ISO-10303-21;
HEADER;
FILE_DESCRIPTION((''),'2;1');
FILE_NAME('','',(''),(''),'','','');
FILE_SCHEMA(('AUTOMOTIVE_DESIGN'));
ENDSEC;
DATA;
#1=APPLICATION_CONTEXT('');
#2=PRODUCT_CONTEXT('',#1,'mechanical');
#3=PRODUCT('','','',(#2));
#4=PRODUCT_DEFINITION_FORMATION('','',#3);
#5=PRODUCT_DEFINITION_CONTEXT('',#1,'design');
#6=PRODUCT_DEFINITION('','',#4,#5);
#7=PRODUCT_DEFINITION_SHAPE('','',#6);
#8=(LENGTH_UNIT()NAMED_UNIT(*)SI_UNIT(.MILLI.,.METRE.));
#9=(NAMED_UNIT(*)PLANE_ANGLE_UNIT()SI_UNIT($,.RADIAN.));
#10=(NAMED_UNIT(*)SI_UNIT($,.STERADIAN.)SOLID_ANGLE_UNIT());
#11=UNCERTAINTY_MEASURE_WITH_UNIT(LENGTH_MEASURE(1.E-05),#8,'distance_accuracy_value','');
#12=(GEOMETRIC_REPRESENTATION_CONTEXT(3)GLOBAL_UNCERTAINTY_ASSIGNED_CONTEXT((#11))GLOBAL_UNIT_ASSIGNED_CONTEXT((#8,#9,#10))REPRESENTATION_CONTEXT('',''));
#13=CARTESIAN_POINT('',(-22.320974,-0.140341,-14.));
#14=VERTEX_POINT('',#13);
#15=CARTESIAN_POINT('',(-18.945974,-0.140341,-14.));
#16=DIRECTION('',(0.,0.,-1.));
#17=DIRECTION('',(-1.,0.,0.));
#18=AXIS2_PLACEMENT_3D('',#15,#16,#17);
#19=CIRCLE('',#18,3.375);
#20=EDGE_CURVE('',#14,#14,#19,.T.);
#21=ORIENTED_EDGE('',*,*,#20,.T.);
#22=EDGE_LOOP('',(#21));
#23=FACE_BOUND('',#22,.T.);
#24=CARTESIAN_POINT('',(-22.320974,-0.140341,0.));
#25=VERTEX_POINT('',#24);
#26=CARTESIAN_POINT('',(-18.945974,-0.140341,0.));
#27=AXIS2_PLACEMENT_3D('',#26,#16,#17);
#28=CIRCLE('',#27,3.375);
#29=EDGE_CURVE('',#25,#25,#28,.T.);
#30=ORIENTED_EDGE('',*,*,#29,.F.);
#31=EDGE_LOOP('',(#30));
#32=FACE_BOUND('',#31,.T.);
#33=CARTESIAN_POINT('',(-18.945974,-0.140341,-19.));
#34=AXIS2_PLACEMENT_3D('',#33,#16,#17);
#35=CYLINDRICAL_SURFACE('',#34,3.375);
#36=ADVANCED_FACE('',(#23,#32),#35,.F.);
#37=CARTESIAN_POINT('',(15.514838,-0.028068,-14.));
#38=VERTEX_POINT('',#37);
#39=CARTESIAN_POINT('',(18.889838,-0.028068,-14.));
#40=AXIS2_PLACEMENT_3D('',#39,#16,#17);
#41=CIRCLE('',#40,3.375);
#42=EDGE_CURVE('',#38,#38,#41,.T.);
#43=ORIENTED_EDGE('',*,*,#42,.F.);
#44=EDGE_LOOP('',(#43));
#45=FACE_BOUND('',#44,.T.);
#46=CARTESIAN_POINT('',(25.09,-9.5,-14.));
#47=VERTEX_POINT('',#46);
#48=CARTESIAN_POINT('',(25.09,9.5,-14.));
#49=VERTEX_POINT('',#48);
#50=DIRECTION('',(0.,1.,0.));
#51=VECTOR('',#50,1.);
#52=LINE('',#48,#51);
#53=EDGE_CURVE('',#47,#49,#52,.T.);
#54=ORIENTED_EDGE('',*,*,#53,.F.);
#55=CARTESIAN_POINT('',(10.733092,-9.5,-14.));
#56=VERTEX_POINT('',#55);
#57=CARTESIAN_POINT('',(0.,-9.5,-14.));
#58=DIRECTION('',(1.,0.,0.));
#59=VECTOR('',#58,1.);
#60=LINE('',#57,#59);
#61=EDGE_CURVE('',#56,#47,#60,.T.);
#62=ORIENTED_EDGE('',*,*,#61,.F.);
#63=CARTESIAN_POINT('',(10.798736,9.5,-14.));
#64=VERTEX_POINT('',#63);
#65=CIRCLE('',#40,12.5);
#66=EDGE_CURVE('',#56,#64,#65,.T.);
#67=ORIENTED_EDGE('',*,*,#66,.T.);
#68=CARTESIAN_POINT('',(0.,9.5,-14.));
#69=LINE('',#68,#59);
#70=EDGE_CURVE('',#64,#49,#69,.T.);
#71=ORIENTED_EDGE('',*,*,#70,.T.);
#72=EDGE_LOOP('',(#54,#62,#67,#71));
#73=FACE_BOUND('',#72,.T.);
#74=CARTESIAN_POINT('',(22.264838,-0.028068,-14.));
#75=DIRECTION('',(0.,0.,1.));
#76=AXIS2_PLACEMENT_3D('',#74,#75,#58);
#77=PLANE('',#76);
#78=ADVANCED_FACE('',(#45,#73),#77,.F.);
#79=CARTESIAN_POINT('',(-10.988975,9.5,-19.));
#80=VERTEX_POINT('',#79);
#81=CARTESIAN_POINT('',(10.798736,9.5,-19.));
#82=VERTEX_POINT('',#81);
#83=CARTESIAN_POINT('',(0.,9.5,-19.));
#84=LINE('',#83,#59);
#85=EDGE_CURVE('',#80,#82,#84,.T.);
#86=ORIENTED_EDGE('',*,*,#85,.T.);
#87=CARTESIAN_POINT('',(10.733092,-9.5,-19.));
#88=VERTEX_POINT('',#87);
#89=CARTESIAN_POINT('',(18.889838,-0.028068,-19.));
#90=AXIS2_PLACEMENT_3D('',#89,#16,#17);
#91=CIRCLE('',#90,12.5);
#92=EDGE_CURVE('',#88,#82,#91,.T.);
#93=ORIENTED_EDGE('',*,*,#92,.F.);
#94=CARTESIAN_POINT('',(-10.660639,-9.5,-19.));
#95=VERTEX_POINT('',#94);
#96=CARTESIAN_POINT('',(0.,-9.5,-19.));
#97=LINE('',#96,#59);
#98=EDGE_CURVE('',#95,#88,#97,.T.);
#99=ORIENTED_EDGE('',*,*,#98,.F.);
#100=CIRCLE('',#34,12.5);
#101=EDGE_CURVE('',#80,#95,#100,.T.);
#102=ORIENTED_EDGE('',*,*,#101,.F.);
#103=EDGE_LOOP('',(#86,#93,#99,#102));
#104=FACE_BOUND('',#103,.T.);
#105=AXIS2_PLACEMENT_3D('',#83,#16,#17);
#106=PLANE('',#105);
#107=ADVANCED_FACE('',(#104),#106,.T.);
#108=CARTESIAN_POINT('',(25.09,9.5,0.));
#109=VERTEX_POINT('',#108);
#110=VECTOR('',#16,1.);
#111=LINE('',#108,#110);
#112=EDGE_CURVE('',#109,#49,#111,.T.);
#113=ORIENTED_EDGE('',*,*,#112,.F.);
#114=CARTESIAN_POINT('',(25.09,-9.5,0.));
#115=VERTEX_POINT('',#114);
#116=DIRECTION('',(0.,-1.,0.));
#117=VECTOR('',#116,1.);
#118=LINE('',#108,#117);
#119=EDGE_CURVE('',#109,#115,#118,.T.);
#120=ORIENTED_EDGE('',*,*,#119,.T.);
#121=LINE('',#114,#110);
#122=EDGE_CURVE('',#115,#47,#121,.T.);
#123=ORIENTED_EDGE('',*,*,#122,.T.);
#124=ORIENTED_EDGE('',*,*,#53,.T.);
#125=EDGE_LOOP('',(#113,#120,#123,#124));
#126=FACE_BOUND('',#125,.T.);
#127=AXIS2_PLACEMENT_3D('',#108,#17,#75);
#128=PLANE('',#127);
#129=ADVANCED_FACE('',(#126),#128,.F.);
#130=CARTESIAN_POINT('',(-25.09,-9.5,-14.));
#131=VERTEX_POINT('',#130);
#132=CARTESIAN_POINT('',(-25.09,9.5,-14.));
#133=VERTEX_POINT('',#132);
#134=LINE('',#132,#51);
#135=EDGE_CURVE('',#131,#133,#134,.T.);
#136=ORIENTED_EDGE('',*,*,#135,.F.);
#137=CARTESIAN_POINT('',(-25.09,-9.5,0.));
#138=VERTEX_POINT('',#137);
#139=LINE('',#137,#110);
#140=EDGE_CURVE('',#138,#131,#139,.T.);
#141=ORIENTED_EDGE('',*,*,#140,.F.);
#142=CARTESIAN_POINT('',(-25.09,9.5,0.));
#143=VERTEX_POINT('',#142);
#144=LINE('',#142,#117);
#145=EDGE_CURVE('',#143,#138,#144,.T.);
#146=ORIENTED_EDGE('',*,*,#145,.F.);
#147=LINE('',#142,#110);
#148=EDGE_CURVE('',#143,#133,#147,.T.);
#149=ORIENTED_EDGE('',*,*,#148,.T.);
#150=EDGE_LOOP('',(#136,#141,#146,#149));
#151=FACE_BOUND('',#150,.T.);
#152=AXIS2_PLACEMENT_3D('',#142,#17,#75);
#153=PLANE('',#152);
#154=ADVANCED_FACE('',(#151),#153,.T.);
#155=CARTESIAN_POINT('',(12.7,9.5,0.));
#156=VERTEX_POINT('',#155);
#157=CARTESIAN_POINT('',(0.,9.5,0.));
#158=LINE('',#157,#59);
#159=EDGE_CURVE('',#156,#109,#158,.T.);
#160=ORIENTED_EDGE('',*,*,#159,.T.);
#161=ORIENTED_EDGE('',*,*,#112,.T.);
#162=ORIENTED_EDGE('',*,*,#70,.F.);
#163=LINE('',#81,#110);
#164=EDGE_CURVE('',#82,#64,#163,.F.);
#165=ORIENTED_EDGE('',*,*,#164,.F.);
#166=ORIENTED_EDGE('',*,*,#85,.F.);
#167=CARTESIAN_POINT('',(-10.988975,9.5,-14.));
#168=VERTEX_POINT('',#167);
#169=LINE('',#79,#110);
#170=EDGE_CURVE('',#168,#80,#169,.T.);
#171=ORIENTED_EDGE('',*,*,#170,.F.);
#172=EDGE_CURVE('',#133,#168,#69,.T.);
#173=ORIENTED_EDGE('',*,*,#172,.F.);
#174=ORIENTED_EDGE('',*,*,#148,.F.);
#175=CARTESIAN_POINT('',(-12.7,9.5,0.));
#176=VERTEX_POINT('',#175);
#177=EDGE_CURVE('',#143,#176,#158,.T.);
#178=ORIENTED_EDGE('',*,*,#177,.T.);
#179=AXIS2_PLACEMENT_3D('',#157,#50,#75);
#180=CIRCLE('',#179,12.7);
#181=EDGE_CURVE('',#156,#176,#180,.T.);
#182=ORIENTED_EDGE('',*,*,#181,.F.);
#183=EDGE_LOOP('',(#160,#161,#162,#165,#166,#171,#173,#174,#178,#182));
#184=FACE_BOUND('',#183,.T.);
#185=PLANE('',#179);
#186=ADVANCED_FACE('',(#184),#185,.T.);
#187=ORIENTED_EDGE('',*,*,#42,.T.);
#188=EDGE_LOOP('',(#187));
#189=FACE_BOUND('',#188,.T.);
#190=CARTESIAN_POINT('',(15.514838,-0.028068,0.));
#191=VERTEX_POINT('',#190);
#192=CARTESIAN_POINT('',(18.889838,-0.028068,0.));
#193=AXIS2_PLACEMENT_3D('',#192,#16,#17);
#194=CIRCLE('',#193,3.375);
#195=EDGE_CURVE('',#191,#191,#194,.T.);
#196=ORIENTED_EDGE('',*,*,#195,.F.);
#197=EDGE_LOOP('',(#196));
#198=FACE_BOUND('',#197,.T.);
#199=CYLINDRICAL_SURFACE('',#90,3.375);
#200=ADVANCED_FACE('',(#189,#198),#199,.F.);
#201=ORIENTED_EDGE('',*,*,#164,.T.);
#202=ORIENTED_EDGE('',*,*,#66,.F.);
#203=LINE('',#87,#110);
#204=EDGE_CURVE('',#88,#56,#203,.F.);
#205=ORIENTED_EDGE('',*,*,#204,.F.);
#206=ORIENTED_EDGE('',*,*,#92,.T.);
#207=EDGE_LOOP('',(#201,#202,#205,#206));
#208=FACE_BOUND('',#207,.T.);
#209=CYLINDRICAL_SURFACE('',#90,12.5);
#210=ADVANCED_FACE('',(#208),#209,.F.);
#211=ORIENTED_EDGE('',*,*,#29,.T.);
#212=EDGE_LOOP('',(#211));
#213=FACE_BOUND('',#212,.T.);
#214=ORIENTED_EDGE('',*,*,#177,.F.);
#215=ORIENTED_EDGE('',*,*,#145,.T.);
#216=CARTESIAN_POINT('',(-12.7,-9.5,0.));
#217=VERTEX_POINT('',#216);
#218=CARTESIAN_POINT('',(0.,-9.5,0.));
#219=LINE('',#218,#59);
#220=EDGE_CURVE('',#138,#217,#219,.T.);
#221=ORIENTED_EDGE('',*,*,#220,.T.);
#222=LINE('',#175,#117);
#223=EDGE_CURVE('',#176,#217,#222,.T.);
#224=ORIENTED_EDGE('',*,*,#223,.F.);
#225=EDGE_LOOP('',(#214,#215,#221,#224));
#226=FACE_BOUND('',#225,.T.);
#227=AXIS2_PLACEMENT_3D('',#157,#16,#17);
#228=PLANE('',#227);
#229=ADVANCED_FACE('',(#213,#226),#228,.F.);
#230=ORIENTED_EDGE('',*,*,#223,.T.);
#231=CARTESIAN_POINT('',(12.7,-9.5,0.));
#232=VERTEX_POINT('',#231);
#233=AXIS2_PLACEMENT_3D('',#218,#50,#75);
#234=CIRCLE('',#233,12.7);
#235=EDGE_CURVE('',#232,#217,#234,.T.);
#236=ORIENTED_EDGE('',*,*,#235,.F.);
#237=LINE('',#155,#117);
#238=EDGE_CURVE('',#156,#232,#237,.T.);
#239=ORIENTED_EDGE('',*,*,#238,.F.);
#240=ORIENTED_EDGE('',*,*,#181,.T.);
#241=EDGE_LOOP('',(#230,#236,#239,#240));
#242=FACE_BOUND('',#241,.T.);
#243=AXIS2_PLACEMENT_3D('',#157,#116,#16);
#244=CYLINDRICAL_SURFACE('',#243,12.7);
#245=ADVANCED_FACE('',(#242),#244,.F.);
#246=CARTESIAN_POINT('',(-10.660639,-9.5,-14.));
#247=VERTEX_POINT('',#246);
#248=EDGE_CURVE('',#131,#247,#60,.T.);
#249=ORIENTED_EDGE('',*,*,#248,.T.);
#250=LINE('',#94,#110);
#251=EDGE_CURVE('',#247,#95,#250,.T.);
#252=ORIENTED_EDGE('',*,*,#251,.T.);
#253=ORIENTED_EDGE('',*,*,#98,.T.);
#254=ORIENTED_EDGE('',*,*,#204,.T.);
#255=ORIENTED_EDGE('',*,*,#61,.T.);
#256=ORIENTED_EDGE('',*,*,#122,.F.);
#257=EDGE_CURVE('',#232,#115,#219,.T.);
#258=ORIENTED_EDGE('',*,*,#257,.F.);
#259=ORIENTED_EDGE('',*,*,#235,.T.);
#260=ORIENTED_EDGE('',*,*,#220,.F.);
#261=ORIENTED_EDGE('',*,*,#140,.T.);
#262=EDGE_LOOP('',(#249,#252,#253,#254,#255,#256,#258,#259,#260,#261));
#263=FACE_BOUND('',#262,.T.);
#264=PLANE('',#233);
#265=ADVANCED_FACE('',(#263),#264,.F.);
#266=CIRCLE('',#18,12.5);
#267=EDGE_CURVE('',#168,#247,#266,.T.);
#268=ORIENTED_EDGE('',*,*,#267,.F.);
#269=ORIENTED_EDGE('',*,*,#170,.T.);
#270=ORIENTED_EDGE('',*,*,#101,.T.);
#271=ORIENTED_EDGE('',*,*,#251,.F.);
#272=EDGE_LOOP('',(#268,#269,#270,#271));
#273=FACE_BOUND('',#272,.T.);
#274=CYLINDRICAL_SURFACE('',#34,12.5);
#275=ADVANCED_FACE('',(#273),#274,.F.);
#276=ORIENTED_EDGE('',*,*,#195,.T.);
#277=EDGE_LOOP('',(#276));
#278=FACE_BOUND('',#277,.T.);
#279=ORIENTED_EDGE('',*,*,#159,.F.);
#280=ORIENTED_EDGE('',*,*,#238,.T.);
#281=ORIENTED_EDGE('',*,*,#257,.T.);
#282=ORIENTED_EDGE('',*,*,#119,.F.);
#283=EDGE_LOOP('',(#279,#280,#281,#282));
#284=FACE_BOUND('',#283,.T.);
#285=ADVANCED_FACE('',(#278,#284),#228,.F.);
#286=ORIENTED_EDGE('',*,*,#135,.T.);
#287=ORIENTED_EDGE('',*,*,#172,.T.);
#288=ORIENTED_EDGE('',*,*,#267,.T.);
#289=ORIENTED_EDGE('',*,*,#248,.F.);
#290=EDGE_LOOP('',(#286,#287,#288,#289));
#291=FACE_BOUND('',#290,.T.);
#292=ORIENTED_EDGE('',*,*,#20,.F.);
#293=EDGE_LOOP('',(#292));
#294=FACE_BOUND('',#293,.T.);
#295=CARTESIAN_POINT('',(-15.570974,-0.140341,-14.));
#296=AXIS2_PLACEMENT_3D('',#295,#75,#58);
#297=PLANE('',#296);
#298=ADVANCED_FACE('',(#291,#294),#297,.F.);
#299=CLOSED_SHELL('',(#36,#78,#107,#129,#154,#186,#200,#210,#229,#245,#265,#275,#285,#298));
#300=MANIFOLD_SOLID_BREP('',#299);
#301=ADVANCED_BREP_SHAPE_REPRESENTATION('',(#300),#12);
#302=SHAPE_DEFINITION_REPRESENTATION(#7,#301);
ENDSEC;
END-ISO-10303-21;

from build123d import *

# Parameters (mm, degrees)
BOSS_EXTRUDE2_DEPTH                      = 9.5
CBORE_FOR_M12_HEX_HEAD_BOLT2_D           = 6.75
CBORE_FOR_M12_HEX_HEAD_BOLT2_CBORE_D     = 25
CBORE_FOR_M12_HEX_HEAD_BOLT2_CBORE_DEPTH = 5


with BuildPart() as part:
    # Sketch1 → Boss-Extrude2 (new, symmetric)
    with BuildSketch(Plane(origin=(0, 0, 0), x_dir=(1, 0, 0), z_dir=(0, 1, 0))):
        with BuildLine():
            ThreePointArc((-12.7, 0), (0, 12.7), (12.7, 0))
            Line((12.7, 0), (25.09, 0))
            Line((25.09, 0), (25.09, 19))
            Line((25.09, 19), (-25.09, 19))
            Line((-25.09, 19), (-25.09, 0))
            Line((-25.09, 0), (-12.7, 0))
        make_face()
    extrude(amount=BOSS_EXTRUDE2_DEPTH, both=True)

    # CBORE for M12 Hex Head Bolt2 (through all)
    with Locations(Plane(origin=(18.889837659, -0.028068109, -19), x_dir=(-1, 0, 0), z_dir=(0, 0, -1))):
        with Locations((0, 0), (37.835811537, -0.112272438)):
            CounterBoreHole(CBORE_FOR_M12_HEX_HEAD_BOLT2_D / 2, CBORE_FOR_M12_HEX_HEAD_BOLT2_CBORE_D / 2, CBORE_FOR_M12_HEX_HEAD_BOLT2_CBORE_DEPTH)


solid = part.part
